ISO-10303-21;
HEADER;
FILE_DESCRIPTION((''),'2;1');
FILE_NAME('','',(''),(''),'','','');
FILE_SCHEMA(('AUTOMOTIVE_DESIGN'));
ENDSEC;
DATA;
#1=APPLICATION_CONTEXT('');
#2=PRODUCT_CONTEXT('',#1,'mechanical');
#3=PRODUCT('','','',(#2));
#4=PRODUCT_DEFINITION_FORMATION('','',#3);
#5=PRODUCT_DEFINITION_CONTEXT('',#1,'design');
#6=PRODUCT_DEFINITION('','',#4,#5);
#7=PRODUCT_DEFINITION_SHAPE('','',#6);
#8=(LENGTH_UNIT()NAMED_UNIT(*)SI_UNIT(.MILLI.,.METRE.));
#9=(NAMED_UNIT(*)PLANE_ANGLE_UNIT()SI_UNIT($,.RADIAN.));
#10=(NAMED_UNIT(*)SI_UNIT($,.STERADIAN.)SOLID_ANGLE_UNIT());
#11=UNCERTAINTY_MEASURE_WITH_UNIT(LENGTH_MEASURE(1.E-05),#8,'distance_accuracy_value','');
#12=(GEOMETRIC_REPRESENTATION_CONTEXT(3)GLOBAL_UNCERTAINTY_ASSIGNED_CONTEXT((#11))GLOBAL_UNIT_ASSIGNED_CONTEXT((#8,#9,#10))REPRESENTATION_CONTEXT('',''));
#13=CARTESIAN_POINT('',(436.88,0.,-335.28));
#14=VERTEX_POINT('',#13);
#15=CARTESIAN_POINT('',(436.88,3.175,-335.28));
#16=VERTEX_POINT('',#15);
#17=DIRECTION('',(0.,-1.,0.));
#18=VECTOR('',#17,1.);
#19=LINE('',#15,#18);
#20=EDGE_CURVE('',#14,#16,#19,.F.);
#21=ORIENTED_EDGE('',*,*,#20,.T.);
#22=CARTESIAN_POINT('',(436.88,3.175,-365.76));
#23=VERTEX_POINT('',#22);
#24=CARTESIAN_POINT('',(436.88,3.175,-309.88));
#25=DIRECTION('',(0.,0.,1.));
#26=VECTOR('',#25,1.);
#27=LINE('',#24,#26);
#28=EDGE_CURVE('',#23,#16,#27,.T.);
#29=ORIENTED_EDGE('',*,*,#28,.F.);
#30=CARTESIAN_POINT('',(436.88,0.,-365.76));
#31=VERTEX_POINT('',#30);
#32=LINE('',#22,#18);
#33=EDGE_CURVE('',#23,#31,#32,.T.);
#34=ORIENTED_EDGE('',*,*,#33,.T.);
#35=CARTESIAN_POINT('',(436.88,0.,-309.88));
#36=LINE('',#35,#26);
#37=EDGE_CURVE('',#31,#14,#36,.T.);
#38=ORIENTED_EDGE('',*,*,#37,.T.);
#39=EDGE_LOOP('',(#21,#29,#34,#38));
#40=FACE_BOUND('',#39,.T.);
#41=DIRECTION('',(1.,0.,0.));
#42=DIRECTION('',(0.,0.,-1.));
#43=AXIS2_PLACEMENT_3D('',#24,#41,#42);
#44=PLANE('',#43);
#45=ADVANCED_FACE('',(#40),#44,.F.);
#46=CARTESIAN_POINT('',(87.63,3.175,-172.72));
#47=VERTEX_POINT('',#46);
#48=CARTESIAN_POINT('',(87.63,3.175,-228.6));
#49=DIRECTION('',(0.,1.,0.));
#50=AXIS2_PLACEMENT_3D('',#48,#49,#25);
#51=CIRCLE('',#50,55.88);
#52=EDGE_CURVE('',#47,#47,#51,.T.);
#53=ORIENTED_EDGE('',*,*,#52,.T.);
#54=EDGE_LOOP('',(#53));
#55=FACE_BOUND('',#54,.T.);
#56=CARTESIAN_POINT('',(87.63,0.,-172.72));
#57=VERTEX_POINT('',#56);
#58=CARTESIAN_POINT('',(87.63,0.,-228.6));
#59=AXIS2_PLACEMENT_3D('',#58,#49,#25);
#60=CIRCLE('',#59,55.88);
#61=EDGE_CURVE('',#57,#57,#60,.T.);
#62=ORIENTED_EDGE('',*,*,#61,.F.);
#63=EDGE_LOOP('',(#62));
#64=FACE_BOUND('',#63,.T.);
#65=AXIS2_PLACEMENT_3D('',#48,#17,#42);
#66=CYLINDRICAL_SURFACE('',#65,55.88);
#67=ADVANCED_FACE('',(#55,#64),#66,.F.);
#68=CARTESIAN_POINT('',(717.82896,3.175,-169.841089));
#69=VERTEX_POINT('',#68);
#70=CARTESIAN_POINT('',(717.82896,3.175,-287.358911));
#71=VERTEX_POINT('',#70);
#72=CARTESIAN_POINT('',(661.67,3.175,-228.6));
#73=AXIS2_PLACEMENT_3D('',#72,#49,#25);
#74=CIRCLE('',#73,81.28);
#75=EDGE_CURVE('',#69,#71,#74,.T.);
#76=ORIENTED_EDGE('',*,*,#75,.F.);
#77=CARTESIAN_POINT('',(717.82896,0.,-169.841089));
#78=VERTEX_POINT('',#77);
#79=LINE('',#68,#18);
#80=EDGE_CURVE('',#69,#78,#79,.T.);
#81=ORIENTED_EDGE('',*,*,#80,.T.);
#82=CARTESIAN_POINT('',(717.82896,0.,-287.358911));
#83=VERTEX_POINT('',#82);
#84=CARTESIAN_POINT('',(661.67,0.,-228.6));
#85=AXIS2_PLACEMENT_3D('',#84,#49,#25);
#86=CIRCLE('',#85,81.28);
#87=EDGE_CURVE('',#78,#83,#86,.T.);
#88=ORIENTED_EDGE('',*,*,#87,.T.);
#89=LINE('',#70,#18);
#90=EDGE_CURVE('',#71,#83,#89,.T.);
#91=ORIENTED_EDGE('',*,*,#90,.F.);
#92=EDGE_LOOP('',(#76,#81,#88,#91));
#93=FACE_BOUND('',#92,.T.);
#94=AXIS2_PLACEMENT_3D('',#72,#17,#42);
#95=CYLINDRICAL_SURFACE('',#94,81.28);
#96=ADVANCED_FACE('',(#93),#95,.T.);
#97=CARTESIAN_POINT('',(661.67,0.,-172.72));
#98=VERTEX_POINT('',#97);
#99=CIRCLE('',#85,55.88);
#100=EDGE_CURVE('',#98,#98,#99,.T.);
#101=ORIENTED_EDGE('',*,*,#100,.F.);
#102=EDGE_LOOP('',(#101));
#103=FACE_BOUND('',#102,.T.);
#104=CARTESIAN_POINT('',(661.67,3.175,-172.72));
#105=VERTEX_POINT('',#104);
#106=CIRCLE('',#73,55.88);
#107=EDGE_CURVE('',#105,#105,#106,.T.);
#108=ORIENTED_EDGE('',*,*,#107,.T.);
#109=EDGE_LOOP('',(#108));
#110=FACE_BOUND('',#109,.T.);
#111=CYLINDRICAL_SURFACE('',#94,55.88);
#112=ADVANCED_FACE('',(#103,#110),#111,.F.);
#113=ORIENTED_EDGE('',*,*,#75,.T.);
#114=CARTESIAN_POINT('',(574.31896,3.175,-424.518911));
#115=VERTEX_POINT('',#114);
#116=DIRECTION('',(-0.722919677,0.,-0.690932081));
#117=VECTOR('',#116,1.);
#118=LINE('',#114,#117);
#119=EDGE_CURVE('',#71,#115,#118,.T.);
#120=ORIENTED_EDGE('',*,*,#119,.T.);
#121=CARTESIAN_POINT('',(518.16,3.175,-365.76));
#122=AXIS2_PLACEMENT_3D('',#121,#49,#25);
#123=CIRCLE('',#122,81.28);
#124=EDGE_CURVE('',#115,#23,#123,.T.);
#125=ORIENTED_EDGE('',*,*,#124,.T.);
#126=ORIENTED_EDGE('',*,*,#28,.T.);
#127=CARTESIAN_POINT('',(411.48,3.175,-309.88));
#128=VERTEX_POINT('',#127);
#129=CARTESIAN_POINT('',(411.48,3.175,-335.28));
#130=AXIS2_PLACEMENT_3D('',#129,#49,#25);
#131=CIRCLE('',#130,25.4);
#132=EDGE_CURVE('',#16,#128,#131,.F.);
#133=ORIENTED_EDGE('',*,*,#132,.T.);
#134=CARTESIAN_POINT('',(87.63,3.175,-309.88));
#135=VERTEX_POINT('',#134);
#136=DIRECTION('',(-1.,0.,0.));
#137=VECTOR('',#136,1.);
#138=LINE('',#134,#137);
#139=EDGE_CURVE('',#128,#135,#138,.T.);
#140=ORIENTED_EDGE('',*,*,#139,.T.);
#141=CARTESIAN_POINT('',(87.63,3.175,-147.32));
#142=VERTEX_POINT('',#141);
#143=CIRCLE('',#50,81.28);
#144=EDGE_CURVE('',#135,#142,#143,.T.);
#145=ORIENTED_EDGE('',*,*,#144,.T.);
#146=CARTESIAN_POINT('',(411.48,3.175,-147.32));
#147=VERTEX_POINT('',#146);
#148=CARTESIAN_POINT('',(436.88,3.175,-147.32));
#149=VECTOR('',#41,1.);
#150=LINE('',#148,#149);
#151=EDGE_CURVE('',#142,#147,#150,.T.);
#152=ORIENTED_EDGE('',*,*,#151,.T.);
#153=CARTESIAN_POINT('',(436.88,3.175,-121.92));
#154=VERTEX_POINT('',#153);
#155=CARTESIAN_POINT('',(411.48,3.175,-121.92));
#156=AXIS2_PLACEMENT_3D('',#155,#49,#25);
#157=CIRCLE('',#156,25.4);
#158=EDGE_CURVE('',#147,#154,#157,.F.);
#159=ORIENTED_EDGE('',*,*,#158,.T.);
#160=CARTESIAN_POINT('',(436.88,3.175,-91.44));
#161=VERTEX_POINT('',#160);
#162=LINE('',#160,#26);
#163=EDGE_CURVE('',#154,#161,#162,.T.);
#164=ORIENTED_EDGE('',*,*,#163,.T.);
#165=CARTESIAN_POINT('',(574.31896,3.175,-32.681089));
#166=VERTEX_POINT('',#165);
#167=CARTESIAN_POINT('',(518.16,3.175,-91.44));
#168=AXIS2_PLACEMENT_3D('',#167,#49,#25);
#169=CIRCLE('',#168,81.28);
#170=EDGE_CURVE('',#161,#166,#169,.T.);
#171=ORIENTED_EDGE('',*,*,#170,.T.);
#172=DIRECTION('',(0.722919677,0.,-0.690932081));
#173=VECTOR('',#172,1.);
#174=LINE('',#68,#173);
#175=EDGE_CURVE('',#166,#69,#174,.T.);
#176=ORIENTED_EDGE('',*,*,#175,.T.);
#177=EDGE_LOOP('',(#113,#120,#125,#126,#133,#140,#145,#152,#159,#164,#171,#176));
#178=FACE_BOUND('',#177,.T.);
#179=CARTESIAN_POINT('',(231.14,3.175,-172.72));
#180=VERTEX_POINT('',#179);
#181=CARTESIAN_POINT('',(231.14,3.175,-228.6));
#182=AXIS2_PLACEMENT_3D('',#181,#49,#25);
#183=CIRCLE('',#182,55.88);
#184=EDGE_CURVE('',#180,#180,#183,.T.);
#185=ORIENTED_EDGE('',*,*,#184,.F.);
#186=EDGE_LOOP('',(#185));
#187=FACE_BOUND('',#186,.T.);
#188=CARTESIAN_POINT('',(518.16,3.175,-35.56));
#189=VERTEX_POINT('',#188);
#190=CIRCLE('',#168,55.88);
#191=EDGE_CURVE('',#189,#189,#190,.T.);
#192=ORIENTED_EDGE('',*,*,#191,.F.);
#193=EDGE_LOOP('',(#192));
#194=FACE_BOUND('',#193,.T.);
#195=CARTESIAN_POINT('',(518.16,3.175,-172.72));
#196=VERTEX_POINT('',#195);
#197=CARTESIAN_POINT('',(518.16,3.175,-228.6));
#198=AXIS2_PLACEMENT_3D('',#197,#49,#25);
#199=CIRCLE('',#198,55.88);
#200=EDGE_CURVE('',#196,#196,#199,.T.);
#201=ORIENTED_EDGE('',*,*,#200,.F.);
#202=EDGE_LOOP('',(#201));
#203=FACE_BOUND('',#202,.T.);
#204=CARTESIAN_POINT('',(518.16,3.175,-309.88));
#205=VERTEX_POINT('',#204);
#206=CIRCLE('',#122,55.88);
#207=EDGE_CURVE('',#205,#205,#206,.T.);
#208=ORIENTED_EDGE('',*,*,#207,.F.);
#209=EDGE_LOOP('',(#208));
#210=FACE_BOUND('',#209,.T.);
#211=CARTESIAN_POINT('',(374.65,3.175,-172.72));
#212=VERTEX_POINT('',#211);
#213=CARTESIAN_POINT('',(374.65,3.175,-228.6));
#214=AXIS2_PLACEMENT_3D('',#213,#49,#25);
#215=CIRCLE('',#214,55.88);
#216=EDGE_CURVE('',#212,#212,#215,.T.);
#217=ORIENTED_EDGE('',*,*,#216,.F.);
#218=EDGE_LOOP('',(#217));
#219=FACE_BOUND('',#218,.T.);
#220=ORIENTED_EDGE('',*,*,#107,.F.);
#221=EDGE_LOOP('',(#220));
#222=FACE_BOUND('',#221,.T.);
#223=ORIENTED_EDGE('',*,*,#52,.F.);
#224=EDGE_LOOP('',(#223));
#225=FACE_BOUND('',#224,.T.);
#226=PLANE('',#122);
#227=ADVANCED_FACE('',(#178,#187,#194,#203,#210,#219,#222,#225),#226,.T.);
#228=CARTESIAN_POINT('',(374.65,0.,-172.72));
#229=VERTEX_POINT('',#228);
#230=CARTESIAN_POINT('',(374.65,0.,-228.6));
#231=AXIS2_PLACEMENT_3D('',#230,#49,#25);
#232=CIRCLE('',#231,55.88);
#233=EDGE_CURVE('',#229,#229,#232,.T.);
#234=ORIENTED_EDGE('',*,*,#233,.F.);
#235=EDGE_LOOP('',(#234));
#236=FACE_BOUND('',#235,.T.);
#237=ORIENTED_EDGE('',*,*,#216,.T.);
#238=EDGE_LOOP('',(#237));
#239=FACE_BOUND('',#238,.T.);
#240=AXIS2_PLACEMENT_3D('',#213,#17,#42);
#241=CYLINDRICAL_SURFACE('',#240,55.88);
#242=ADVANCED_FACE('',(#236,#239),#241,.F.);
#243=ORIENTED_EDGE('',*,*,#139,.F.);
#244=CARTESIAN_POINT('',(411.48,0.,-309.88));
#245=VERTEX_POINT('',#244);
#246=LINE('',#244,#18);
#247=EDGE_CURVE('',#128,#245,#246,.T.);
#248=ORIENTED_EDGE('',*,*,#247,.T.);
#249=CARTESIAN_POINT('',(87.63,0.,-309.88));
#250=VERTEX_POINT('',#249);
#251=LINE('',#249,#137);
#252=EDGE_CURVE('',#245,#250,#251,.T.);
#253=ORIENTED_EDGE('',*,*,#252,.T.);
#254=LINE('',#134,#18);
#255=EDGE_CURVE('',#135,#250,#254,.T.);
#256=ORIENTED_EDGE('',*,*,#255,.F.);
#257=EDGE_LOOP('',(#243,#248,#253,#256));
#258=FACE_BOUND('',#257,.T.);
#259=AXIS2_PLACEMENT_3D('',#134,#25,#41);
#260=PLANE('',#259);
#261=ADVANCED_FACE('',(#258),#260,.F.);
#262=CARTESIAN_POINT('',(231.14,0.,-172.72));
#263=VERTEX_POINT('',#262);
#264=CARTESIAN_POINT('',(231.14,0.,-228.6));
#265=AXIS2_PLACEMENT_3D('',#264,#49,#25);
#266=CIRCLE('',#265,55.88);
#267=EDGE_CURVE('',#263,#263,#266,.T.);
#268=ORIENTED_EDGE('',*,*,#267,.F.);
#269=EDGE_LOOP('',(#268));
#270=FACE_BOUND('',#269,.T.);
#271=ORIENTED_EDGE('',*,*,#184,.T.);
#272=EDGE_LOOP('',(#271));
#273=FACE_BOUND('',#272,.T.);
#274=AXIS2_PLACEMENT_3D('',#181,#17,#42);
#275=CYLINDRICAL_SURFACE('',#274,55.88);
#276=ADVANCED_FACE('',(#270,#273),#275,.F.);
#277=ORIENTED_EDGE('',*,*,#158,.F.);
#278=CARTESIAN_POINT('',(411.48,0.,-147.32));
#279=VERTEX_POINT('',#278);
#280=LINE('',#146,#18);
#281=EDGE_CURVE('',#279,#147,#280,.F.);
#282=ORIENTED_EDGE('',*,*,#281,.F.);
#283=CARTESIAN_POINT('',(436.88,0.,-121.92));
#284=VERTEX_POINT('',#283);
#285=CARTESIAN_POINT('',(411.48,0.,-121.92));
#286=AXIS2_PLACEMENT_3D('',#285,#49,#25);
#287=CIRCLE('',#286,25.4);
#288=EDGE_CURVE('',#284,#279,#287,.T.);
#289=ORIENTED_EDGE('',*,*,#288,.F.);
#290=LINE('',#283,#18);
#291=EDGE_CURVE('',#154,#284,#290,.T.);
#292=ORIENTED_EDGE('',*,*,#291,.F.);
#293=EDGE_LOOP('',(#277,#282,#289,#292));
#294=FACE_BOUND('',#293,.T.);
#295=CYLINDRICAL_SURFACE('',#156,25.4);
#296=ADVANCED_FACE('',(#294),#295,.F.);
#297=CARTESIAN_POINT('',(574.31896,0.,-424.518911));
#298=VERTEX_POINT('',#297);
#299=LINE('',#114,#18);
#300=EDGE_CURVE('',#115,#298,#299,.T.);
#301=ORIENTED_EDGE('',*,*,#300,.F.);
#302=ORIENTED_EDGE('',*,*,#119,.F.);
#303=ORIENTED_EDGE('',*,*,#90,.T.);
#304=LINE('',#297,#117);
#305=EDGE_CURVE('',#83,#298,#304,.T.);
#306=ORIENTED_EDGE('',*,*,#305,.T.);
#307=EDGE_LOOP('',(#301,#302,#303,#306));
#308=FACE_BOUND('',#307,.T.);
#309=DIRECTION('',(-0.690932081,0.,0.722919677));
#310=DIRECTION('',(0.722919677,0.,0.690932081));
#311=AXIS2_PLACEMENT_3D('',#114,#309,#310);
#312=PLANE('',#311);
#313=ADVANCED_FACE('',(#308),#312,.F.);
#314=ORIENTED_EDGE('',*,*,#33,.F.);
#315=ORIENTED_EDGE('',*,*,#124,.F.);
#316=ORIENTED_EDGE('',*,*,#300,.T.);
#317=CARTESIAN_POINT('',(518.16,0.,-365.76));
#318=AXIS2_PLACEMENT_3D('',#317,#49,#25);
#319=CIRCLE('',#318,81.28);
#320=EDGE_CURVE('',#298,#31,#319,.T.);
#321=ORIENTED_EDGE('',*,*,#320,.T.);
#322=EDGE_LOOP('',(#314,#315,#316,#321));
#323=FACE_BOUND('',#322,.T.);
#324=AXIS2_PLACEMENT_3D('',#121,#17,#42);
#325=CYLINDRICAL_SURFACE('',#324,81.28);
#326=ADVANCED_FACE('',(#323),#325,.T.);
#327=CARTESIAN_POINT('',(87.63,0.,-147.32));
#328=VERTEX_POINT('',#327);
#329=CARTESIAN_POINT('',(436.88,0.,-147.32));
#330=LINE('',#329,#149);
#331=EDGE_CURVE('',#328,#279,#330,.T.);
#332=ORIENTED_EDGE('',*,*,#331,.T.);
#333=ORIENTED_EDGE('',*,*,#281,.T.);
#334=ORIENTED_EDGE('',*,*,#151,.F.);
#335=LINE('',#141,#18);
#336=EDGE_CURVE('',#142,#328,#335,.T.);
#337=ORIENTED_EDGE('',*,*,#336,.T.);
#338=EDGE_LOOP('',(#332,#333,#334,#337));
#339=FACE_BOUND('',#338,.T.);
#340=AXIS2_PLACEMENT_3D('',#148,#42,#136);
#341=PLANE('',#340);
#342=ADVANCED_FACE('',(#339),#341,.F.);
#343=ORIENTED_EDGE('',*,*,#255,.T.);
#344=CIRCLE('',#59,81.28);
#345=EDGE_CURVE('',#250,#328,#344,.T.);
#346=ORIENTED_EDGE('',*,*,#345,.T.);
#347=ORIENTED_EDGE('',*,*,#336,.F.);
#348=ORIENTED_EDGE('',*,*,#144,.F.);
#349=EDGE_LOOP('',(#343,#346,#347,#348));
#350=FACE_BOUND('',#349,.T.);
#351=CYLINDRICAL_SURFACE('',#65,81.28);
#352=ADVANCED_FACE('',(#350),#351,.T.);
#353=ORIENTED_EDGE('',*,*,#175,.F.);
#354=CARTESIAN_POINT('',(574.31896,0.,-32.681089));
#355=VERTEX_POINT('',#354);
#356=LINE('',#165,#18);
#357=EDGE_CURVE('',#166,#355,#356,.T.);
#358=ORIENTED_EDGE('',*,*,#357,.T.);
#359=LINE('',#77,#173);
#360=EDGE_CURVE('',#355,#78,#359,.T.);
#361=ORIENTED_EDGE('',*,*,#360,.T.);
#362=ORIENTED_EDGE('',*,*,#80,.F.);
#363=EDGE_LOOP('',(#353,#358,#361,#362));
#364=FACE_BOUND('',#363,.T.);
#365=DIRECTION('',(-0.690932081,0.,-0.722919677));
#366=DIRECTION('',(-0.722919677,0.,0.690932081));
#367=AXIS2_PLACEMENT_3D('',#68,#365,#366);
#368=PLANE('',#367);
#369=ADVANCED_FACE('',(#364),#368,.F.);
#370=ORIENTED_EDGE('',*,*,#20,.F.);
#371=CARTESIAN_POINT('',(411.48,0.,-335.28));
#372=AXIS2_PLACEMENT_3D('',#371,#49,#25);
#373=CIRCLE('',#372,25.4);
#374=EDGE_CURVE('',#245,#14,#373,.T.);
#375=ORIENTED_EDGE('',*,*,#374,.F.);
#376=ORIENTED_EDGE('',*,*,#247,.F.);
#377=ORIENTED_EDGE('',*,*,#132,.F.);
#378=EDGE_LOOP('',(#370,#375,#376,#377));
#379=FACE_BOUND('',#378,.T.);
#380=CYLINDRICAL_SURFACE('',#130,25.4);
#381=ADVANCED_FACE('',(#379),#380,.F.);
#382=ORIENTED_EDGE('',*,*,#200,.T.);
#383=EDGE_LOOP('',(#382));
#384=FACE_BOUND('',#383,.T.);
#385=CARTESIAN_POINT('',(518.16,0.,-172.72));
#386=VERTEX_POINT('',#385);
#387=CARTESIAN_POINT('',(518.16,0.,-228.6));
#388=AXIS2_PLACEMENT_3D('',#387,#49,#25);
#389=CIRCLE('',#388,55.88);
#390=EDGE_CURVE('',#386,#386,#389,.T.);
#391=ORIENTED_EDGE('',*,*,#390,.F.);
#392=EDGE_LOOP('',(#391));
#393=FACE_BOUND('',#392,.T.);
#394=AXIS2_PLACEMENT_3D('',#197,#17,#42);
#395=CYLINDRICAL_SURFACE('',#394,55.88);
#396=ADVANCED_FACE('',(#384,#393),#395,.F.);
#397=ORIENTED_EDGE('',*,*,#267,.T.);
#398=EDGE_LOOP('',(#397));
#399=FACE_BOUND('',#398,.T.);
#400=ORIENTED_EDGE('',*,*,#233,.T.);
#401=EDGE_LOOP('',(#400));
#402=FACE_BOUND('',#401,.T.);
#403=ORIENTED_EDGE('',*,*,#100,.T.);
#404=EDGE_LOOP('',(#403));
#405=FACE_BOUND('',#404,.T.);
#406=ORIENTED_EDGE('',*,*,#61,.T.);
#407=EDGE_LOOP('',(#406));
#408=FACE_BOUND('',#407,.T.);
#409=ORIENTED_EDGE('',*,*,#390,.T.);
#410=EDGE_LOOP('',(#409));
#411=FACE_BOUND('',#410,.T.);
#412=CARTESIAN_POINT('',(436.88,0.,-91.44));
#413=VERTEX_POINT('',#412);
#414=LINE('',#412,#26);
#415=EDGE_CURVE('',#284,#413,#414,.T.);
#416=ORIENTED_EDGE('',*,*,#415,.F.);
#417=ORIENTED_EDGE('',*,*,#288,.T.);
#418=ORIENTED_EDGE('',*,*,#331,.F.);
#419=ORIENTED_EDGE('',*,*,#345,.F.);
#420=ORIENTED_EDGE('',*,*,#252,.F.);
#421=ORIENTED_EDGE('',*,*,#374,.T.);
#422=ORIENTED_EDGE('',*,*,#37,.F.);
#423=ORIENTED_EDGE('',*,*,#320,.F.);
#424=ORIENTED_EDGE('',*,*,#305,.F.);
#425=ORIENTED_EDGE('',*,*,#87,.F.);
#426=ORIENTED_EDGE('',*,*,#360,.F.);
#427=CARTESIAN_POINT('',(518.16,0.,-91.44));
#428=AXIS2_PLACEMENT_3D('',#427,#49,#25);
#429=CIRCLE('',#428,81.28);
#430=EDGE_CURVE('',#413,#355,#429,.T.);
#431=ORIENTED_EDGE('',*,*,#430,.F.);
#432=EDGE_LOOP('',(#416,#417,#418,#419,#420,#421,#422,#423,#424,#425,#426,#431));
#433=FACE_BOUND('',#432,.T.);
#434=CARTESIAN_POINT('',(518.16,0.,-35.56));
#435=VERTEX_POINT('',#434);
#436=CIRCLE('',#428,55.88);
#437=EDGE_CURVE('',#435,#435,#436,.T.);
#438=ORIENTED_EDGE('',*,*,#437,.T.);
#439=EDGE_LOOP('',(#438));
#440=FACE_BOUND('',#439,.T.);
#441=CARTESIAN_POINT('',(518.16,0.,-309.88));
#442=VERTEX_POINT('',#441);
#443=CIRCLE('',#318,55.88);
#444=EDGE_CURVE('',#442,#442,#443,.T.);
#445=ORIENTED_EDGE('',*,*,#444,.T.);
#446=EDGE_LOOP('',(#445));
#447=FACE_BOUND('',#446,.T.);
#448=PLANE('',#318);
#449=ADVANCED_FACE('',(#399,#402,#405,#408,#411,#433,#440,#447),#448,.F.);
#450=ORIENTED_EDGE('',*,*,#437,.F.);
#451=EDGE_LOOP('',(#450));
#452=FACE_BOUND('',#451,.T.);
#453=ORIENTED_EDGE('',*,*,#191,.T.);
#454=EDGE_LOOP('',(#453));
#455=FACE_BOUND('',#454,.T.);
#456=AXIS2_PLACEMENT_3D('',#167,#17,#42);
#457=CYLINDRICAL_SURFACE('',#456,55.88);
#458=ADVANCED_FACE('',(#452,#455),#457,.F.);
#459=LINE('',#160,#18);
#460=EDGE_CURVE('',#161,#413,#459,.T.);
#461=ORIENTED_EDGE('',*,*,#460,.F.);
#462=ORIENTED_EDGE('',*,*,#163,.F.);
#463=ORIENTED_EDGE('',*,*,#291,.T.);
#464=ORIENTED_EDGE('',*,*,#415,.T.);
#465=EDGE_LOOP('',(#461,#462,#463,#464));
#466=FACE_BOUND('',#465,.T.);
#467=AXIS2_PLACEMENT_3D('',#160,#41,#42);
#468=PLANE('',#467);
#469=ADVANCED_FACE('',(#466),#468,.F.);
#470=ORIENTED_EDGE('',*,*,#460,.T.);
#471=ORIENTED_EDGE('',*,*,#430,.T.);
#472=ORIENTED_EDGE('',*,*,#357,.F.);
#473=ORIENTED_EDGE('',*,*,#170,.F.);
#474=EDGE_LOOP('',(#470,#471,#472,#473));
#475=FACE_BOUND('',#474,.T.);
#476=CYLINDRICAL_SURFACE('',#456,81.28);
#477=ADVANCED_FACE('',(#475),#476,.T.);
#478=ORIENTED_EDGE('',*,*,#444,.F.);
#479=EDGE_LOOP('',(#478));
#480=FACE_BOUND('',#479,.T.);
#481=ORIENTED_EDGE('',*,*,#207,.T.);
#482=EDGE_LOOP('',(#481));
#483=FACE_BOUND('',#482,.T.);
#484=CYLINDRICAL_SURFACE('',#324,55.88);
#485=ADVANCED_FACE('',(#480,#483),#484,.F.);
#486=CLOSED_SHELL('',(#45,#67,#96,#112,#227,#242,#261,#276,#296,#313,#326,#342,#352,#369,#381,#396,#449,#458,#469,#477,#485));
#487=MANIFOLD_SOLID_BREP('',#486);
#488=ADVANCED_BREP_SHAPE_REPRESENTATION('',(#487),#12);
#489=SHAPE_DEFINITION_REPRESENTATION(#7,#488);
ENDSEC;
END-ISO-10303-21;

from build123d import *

# Parameters (mm, degrees)
SKETCH1_R           = 55.88
BOSS_EXTRUDE1_DEPTH = 3.175
FILLET1_R           = 25.4


with BuildPart() as part:
    # Sketch1 → Boss-Extrude1 (new body)
    with BuildSketch(Plane(origin=(0, 0, 0), x_dir=(1, 0, 0), z_dir=(0, 1, 0))):
        with BuildLine():
            Line((87.63, 309.88), (436.88, 309.88))
            Line((436.88, 309.88), (436.88, 365.76))
            ThreePointArc((436.88, 365.76), (486.208175566, 440.496331963), (574.318959531, 424.518911361))
            Line((574.318959531, 424.518911361), (717.828959531, 287.358911361))
            ThreePointArc((717.828959531, 287.358911361), (742.95, 228.6), (717.828959531, 169.841088639))
            Line((717.828959531, 169.841088639), (574.318959531, 32.681088639))
            ThreePointArc((574.318959531, 32.681088639), (486.208175566, 16.703668037), (436.88, 91.44))
            Line((436.88, 91.44), (436.88, 147.32))
            Line((436.88, 147.32), (87.63, 147.32))
            ThreePointArc((87.63, 147.32), (6.35, 228.6), (87.63, 309.88))
        make_face()
        with Locations(Location((87.63, 228.6, 0), (0, 0, 270))):
            Circle(SKETCH1_R, mode=Mode.SUBTRACT)
        with Locations(Location((231.14, 228.6, 0), (0, 0, 270))):
            Circle(SKETCH1_R, mode=Mode.SUBTRACT)
        with Locations(Location((374.65, 228.6, 0), (0, 0, 270))):
            Circle(SKETCH1_R, mode=Mode.SUBTRACT)
        with Locations(Location((518.16, 228.6, 0), (0, 0, 270))):
            Circle(SKETCH1_R, mode=Mode.SUBTRACT)
        with Locations(Location((661.67, 228.6, 0), (0, 0, 270))):
            Circle(SKETCH1_R, mode=Mode.SUBTRACT)
        with Locations(Location((518.16, 365.76, 0), (0, 0, 270))):
            Circle(SKETCH1_R, mode=Mode.SUBTRACT)
        with Locations(Location((518.16, 91.44, 0), (0, 0, 270))):
            Circle(SKETCH1_R, mode=Mode.SUBTRACT)
    extrude(amount=BOSS_EXTRUDE1_DEPTH)

    # Fillet1
    fillet1_edges = [part.edges().sort_by_distance(p)[0] for p in [
        (436.88, 1.5875, -147.32),
        (436.88, 1.5875, -309.88),
    ]]
    fillet(fillet1_edges, radius=FILLET1_R)


solid = part.part
